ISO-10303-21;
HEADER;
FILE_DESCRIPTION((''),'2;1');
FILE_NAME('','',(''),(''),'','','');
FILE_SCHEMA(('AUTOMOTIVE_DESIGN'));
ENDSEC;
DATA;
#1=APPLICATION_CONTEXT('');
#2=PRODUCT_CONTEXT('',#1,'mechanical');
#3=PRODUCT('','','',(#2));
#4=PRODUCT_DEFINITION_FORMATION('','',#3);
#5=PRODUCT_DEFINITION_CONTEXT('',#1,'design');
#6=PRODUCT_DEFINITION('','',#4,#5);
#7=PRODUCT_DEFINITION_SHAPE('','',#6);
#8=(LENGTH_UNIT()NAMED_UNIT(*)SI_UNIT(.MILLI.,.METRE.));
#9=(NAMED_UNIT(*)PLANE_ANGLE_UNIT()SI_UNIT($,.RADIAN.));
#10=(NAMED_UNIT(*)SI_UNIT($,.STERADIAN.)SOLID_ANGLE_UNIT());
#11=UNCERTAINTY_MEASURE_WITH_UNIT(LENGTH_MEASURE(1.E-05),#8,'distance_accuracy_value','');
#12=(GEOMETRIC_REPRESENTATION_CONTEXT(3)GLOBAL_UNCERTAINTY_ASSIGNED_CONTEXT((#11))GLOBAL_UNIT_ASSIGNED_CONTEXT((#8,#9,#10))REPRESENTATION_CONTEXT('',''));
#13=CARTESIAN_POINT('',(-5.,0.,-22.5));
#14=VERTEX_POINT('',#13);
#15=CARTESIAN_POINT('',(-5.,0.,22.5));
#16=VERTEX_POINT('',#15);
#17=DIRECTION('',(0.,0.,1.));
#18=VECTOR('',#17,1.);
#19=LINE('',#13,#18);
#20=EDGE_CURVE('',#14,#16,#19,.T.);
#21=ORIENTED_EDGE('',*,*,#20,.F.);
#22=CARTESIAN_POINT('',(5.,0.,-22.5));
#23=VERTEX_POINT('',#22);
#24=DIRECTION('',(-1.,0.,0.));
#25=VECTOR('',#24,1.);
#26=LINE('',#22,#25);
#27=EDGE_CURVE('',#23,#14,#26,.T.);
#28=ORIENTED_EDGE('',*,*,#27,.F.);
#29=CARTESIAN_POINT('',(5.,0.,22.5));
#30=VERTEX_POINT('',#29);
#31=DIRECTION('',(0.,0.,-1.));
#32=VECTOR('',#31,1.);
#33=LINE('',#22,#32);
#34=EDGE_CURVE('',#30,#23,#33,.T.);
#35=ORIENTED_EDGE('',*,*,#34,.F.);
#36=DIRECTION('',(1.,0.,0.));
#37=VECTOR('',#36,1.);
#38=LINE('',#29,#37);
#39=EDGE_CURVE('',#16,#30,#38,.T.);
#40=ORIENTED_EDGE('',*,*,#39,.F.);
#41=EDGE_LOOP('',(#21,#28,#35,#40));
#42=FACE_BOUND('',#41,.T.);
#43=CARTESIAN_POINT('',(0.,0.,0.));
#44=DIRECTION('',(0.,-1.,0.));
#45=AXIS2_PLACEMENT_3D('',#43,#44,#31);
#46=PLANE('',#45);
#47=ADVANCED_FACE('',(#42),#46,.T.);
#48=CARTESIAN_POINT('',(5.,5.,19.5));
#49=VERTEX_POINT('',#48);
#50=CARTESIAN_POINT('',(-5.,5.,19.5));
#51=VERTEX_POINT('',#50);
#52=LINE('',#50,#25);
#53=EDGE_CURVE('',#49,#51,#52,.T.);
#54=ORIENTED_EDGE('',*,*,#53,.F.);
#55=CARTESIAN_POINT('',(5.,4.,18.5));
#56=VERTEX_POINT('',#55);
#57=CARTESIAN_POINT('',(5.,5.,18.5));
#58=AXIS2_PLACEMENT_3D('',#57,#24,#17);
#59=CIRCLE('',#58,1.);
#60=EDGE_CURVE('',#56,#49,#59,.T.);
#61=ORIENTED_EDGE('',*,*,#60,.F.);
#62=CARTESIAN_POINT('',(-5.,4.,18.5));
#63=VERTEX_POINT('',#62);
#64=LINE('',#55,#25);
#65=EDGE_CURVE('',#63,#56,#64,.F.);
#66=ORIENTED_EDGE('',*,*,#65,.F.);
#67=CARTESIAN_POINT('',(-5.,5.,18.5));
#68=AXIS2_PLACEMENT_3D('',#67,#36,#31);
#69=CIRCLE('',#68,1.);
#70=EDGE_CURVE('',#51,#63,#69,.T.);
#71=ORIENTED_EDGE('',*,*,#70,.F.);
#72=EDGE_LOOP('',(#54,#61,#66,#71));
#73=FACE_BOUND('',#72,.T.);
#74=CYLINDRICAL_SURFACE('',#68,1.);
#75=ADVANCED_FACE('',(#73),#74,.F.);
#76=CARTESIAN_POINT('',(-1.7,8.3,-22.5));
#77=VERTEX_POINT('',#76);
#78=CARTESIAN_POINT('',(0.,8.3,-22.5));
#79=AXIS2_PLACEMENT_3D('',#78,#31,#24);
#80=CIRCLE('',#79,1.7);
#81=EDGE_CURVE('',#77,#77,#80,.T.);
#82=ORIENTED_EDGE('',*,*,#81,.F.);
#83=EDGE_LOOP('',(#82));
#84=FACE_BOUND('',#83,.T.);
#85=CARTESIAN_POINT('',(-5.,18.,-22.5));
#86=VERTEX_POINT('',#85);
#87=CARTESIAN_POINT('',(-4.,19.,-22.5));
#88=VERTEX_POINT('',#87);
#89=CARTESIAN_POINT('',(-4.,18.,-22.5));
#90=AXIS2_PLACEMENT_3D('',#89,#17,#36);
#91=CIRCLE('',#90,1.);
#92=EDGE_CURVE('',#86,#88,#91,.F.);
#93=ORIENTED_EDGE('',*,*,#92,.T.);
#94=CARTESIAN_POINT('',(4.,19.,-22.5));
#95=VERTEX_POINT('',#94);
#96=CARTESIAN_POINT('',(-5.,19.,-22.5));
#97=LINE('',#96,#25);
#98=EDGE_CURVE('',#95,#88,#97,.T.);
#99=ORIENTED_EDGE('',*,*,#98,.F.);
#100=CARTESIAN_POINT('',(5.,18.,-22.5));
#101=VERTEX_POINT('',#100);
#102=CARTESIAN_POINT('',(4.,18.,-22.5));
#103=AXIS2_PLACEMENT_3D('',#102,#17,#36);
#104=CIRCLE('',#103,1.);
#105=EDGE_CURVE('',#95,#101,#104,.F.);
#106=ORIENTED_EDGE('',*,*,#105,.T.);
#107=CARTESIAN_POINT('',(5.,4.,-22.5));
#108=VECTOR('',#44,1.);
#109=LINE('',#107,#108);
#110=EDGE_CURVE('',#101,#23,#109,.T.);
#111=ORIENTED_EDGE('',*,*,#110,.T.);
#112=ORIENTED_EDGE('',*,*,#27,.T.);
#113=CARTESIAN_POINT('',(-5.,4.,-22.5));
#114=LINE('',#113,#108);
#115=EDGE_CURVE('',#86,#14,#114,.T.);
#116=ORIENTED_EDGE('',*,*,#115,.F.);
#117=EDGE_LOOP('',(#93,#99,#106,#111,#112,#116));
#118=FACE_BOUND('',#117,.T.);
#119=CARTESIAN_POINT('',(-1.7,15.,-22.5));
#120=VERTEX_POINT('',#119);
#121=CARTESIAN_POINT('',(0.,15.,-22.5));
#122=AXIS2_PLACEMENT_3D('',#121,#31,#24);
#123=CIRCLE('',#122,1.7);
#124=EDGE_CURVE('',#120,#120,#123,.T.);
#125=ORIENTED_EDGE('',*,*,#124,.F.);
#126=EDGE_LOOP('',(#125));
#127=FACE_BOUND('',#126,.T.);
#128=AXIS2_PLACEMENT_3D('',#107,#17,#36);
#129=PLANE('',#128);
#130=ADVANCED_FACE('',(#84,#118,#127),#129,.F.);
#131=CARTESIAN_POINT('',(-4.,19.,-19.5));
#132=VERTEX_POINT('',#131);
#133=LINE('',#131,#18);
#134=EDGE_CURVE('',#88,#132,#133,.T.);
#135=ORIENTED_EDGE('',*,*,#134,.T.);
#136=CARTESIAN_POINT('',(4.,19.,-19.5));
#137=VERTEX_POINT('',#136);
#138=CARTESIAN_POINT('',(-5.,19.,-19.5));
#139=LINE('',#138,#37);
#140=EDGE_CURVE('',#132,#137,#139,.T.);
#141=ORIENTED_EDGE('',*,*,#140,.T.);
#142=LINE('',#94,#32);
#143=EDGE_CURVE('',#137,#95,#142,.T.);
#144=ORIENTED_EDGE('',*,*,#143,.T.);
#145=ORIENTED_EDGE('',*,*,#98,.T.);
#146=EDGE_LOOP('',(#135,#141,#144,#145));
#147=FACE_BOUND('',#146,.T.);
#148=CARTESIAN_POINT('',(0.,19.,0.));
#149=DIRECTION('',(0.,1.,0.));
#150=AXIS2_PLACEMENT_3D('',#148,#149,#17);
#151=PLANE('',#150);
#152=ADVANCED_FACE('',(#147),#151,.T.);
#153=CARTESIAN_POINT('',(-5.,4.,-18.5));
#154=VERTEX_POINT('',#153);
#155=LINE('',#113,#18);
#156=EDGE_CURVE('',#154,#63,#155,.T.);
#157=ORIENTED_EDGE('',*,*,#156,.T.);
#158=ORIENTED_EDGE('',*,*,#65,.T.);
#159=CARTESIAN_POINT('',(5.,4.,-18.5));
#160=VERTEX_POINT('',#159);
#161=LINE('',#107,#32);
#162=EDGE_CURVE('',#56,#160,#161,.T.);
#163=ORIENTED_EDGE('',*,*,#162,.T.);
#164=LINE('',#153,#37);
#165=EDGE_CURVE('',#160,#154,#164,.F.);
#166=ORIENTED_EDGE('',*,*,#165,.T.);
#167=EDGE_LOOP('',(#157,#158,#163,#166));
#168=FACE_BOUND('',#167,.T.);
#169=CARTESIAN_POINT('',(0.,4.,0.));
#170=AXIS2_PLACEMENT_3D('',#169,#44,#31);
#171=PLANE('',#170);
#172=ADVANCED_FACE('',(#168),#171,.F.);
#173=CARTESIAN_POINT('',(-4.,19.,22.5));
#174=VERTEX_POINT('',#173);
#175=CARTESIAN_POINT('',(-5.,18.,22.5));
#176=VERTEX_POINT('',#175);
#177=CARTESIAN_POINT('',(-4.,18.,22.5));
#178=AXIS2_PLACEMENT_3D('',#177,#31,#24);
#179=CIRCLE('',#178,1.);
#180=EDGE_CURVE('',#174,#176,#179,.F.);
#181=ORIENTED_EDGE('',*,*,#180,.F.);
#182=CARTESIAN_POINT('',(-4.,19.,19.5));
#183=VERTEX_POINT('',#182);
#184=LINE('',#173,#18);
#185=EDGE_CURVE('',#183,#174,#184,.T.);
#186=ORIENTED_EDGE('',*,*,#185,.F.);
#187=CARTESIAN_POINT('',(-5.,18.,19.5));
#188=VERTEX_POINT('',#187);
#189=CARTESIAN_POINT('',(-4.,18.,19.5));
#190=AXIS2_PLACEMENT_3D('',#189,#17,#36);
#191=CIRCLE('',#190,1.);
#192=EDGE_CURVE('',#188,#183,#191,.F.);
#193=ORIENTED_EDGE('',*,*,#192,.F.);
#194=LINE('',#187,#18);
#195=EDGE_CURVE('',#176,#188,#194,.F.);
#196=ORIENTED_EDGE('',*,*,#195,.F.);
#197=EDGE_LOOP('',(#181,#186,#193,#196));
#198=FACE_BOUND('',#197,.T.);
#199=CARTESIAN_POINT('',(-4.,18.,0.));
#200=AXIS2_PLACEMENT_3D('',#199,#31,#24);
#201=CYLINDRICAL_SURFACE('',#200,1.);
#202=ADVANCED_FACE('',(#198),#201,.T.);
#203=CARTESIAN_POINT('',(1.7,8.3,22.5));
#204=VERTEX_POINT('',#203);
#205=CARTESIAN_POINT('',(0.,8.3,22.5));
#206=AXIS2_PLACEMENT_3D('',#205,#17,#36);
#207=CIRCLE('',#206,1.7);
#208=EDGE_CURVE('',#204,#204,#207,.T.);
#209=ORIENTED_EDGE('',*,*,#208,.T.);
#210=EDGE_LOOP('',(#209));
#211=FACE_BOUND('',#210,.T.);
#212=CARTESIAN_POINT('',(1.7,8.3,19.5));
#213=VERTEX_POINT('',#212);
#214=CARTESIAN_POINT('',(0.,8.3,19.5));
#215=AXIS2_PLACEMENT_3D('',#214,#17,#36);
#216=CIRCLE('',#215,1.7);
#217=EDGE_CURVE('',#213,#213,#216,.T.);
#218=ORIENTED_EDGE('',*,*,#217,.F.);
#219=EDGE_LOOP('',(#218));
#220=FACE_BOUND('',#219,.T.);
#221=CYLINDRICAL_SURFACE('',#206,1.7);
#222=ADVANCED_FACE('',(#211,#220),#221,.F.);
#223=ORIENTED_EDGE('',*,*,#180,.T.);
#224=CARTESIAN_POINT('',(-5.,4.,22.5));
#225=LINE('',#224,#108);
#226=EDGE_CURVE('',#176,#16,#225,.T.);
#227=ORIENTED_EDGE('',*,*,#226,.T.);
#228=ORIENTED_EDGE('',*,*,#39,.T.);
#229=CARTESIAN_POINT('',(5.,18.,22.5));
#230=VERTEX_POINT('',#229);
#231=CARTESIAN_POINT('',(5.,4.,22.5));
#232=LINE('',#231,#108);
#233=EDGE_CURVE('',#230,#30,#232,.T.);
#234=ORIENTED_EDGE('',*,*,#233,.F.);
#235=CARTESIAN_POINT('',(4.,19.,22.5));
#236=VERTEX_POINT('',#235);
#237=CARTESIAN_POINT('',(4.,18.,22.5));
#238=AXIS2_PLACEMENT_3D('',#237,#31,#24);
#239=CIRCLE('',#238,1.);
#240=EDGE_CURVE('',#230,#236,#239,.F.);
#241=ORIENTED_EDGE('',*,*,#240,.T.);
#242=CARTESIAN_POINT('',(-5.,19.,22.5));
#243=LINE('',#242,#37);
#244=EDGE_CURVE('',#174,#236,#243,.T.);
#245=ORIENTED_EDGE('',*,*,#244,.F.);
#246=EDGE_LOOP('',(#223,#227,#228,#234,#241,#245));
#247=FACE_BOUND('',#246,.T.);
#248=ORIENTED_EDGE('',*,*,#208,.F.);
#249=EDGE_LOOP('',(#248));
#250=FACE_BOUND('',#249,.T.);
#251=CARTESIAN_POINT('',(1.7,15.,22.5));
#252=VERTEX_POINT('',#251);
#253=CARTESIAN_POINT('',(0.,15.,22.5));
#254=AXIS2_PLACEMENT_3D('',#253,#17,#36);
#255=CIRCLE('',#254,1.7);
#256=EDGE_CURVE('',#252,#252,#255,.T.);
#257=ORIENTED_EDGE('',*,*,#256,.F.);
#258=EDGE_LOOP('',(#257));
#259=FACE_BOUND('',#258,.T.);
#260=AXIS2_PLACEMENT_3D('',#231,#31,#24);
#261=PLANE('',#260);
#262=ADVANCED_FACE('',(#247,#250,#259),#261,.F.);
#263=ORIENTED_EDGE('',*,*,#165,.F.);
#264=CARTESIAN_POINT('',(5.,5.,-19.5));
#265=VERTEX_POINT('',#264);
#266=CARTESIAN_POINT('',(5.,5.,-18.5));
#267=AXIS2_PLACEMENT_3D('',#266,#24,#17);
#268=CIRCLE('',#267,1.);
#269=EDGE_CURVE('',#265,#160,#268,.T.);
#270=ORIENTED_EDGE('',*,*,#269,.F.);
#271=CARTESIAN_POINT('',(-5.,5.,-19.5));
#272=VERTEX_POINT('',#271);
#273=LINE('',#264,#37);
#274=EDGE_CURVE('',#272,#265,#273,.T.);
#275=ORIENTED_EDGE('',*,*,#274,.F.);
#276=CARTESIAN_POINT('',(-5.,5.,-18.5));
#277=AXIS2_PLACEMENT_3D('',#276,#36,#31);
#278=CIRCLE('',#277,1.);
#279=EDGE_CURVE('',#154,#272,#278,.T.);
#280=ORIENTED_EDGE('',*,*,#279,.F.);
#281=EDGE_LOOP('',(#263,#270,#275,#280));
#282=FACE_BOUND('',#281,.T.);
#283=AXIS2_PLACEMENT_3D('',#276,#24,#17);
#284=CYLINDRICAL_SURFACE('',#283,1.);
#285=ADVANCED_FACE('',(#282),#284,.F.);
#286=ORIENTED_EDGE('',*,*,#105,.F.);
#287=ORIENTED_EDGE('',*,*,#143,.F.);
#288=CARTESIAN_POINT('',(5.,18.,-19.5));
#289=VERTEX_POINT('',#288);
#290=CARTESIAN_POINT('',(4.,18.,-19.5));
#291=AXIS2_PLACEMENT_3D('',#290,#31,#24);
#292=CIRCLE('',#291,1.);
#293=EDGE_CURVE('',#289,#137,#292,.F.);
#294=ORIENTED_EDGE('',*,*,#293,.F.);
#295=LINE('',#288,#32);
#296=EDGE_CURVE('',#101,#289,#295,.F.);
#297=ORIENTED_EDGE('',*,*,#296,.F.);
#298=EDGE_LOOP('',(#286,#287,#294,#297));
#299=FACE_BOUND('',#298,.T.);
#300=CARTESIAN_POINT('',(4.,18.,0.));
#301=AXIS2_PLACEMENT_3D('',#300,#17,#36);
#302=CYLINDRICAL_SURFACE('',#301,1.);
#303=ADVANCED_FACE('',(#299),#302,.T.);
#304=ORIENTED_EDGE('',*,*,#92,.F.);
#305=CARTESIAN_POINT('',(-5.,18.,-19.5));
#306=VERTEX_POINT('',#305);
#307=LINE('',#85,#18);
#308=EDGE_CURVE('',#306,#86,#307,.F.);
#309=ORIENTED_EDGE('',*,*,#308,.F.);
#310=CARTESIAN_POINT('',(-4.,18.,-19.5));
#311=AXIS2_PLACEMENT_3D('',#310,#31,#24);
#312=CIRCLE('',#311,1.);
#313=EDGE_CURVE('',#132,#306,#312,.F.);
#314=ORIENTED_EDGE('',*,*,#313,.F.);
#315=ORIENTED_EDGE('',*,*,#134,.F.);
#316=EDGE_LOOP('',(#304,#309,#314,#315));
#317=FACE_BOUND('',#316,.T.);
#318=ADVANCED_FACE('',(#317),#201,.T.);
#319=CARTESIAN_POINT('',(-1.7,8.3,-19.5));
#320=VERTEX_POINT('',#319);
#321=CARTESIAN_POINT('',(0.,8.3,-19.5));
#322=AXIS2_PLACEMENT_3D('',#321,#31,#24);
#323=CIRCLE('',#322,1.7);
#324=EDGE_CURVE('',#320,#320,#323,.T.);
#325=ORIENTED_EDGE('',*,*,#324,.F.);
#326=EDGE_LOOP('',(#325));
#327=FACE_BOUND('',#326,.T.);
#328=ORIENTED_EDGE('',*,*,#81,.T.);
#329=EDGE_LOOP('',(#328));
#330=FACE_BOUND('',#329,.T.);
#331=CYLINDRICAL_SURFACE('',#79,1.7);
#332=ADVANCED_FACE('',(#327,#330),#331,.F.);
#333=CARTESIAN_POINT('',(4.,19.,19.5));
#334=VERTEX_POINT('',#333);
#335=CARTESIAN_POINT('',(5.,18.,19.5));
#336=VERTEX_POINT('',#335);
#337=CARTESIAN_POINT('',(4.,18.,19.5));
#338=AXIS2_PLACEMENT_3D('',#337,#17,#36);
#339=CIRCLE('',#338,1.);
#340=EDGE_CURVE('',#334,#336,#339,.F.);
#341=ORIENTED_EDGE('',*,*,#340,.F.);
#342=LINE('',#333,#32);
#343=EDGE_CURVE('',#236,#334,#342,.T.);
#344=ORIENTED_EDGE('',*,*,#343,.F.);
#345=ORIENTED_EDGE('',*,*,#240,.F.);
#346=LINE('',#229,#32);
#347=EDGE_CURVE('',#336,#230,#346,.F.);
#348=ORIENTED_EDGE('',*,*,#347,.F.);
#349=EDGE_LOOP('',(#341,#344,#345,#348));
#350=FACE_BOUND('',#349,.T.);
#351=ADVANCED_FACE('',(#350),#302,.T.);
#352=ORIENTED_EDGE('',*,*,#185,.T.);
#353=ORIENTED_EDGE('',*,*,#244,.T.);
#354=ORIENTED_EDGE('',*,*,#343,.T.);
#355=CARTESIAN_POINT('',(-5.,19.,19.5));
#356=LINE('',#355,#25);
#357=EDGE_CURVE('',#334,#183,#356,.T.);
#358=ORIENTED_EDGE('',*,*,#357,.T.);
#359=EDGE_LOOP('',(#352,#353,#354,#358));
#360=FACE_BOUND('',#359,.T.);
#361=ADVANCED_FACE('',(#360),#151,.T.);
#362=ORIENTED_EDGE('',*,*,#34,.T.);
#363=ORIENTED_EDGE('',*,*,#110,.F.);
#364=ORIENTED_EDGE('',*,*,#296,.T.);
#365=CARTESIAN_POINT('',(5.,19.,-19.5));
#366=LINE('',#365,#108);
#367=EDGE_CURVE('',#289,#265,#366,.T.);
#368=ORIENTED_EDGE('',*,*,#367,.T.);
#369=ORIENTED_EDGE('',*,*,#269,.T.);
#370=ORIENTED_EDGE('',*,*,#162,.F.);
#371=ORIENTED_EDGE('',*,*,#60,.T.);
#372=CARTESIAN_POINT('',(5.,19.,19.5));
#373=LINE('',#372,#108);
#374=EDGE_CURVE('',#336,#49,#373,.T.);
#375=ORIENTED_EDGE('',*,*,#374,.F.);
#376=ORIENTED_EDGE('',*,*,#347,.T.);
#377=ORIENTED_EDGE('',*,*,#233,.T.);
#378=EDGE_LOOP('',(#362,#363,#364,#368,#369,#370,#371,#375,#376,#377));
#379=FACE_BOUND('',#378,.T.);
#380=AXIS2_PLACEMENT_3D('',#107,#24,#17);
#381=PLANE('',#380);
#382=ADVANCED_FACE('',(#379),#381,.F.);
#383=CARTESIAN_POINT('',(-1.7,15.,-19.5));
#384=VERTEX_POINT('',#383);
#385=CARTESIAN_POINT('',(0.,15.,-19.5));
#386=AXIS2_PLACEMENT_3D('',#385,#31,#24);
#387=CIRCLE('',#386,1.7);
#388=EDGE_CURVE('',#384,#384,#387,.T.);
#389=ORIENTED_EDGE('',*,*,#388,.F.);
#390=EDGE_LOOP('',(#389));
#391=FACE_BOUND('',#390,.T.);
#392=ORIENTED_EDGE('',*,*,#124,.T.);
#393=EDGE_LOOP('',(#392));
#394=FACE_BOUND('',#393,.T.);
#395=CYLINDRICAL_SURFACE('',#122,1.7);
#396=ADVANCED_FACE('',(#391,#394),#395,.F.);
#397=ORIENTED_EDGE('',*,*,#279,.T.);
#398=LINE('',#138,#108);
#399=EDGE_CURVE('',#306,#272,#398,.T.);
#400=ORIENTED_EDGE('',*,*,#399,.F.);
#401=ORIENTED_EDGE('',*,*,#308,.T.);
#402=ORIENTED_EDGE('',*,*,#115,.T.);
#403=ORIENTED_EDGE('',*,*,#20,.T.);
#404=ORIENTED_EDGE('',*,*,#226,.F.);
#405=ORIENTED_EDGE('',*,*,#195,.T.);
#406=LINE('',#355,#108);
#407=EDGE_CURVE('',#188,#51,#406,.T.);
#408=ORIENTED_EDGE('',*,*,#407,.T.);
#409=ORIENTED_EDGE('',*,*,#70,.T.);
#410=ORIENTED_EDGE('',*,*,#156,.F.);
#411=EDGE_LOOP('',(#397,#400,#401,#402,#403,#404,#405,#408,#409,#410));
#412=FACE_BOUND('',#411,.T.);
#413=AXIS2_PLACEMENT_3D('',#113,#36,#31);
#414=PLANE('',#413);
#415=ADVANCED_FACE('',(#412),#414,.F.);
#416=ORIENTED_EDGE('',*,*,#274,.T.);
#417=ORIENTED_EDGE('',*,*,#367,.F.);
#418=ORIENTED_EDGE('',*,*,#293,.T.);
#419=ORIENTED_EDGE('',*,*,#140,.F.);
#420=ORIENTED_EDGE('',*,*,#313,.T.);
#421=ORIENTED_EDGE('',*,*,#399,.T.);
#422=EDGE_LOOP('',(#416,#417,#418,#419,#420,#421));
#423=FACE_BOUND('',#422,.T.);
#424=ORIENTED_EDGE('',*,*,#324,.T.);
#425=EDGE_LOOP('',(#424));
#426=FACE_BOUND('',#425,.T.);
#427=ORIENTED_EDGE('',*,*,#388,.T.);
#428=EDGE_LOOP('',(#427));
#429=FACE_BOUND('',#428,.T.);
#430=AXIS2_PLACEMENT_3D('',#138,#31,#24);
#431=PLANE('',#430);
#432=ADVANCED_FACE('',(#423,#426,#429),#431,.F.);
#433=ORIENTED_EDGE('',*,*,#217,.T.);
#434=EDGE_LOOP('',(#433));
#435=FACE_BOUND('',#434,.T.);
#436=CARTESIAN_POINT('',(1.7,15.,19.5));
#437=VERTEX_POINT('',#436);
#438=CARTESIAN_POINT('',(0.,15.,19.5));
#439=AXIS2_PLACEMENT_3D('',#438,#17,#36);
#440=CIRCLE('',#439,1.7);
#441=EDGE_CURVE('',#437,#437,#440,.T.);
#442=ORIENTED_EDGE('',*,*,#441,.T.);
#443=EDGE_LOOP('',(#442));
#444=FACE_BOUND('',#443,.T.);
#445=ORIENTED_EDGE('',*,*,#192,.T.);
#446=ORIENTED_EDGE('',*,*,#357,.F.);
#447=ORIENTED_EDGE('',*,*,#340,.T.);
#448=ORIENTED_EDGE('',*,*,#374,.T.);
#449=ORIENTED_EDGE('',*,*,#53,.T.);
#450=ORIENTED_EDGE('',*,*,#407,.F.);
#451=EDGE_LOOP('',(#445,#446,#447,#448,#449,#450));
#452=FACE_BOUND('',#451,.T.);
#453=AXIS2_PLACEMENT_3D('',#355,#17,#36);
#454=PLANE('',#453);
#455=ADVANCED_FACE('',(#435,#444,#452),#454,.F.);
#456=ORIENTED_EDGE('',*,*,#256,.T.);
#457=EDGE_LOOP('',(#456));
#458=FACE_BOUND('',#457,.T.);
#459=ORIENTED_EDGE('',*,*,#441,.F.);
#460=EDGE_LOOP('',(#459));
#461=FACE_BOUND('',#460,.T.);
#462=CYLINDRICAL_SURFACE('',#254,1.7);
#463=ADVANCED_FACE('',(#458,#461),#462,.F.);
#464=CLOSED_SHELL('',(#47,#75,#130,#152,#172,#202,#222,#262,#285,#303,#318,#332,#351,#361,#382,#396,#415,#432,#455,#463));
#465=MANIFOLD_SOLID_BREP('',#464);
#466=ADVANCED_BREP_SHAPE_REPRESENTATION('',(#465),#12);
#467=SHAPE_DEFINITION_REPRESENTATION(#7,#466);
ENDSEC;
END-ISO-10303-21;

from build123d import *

# Parameters (mm, degrees)
SKETCH2_W                      = 10
SKETCH2_H                      = 45
BOSS_EXTRUDE1_DEPTH            = 4
SKETCH3_W                      = 10
SKETCH3_H                      = 3
BOSS_EXTRUDE2_DEPTH            = 15
M3_CLEARANCE_HOLE1_D           = 3.4
M3_CLEARANCE_HOLE1_ON_FACE_2_D = 3.4
FILLET1_R                      = 1


with BuildPart() as part:
    # Sketch2 → Boss-Extrude1 (new body)
    with BuildSketch(Plane(origin=(0, 0, 0), x_dir=(1, 0, 0), z_dir=(0, 1, 0))):
        Rectangle(SKETCH2_W, SKETCH2_H)
    extrude(amount=BOSS_EXTRUDE1_DEPTH)

    # Sketch3 → Boss-Extrude2 (add)
    with BuildSketch(Plane(origin=(0, 4, 0), x_dir=(1, 0, 0), z_dir=(0, 1, 0))):
        with Locations((0, 21)):
            Rectangle(SKETCH3_W, SKETCH3_H)
        with Locations((0, -21)):
            Rectangle(SKETCH3_W, SKETCH3_H)
    extrude(amount=BOSS_EXTRUDE2_DEPTH)

    # M3 Clearance Hole1 (through all)
    with Locations(Plane(origin=(0, 15, -22.5), x_dir=(-1, 0, 0), z_dir=(0, 0, -1))):
        with Locations((0, 0), (0, -6.7)):
            Hole(M3_CLEARANCE_HOLE1_D / 2)

    # M3 Clearance Hole1 on face 2 (through all)
    with Locations(Plane(origin=(0, 15, 22.5), x_dir=(1, 0, 0), z_dir=(0, 0, 1))):
        with Locations((0, 0), (0, -6.7)):
            Hole(M3_CLEARANCE_HOLE1_ON_FACE_2_D / 2)

    # Fillet1
    fillet1_edges = [part.edges().sort_by_distance(p)[0] for p in [
        (0, 4, -19.5),
        (-5, 19, -21),
        (5, 19, -21),
        (0, 4, 19.5),
        (5, 19, 21),
        (-5, 19, 21),
    ]]
    fillet(fillet1_edges, radius=FILLET1_R)


solid = part.part
